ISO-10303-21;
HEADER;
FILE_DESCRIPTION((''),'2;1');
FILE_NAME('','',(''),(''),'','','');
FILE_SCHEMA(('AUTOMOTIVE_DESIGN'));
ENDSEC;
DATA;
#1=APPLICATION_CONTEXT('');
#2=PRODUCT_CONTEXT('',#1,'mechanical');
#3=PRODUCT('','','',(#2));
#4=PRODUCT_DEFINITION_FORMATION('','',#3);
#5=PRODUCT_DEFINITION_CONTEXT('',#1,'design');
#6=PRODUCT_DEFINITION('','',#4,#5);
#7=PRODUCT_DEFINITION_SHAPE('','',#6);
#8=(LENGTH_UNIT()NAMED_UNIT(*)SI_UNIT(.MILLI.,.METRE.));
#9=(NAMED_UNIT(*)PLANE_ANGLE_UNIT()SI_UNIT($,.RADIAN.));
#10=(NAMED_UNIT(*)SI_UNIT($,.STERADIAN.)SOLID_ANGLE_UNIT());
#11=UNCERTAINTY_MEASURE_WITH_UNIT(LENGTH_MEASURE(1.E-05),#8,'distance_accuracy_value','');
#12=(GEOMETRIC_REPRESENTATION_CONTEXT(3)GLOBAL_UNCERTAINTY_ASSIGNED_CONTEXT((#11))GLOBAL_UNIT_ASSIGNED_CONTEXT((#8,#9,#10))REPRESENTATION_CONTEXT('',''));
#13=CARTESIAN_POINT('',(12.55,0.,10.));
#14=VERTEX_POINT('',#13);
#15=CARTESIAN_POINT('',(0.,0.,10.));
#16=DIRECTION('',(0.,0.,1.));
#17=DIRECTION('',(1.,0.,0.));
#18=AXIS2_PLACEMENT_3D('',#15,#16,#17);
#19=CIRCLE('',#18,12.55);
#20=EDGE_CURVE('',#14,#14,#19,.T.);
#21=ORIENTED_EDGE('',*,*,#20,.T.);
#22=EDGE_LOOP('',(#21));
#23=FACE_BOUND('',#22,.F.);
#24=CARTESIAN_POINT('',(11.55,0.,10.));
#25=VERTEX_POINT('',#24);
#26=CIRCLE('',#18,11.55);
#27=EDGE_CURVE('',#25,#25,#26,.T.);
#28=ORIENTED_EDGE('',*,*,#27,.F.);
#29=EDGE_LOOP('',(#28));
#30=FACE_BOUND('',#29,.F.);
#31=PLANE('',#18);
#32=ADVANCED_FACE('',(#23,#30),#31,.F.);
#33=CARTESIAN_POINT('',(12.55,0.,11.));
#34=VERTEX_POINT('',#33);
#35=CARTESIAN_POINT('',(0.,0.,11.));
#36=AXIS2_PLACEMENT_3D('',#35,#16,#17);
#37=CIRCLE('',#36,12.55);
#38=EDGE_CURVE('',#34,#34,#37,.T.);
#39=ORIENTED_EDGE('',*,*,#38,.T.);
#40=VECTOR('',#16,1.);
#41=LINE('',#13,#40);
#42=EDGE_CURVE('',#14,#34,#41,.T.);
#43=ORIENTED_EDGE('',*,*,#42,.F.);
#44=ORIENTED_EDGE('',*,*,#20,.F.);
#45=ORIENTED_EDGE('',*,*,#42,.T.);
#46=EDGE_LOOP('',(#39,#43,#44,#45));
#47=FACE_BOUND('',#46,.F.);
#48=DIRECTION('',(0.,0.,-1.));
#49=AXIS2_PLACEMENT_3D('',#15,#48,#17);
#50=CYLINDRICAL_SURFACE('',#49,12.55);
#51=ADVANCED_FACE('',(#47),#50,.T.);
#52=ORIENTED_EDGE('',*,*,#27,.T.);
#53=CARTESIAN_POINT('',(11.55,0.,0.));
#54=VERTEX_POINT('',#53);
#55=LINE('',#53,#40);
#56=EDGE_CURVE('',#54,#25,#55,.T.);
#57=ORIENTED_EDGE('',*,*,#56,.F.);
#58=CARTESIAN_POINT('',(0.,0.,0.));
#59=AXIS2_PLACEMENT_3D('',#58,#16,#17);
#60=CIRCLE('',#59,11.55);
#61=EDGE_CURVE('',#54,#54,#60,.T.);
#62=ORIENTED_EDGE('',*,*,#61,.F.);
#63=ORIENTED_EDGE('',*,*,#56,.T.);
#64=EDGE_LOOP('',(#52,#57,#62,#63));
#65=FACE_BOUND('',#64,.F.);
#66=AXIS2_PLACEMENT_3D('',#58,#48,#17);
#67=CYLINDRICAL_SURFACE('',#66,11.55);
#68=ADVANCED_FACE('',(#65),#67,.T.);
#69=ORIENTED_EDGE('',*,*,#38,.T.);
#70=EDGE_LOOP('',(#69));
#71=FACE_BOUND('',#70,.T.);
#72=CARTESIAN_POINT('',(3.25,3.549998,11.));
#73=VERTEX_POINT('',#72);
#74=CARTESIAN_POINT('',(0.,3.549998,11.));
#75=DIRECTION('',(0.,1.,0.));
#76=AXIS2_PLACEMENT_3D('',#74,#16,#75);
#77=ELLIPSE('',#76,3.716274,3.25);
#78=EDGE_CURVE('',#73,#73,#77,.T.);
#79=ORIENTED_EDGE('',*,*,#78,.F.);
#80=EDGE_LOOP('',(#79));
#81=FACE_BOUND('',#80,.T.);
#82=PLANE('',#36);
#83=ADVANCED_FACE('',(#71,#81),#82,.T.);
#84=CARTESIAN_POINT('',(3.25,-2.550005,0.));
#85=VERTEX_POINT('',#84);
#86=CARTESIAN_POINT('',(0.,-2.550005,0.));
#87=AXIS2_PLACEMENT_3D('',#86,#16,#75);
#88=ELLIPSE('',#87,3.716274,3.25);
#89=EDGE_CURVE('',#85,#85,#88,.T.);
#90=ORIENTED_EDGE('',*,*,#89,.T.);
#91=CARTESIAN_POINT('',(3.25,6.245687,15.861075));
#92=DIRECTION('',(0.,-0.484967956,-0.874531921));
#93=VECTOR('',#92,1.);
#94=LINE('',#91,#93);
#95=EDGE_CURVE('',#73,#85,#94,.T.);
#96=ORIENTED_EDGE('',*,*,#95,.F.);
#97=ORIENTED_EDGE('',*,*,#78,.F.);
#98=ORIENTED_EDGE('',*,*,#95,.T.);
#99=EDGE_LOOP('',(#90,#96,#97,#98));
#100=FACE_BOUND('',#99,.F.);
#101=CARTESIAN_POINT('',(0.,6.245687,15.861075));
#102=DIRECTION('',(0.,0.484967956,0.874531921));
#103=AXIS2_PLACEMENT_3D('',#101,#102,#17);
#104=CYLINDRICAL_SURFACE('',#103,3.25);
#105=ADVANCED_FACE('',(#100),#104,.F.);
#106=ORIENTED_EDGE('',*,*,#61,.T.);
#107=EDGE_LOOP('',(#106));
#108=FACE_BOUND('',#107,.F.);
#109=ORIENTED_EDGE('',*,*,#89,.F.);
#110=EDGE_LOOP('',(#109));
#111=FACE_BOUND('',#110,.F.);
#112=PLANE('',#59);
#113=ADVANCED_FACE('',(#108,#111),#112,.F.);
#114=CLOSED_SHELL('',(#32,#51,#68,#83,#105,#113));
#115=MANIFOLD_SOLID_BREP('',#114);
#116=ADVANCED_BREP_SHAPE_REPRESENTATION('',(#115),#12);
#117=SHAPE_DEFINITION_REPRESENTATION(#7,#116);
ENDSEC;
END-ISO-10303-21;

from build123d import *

# Parameters (mm, degrees)
F0_R     = 11.55
F1_DEPTH = 10
F2_R     = 12.55
F2_R_2   = 11.55
F3_DEPTH = 1
F7_R     = 3.25
F8_DEPTH = 27.57


with BuildPart() as f1:
    # F0 (on Top) → F1 (new body)
    with BuildSketch(Plane.XY):
        Circle(F0_R)
    extrude(amount=F1_DEPTH)

    # F2 (on face) → F3 (join)
    with BuildSketch(Plane.XY.offset(10)):
        Circle(F2_R)
        Circle(F2_R_2, mode=Mode.SUBTRACT)
        Circle(F2_R_2)
    extrude(amount=F3_DEPTH)

    # F7 (on face) → F8 (cut)
    with BuildSketch(Plane(origin=(0, 8.195943, 14.779569), x_dir=(1, 0, 0), z_dir=(0, 0.484968, 0.874532))):
        with Locations((0, -2.230057)):
            Circle(F7_R)
    extrude(amount=-F8_DEPTH, mode=Mode.SUBTRACT)


solid = f1.part
